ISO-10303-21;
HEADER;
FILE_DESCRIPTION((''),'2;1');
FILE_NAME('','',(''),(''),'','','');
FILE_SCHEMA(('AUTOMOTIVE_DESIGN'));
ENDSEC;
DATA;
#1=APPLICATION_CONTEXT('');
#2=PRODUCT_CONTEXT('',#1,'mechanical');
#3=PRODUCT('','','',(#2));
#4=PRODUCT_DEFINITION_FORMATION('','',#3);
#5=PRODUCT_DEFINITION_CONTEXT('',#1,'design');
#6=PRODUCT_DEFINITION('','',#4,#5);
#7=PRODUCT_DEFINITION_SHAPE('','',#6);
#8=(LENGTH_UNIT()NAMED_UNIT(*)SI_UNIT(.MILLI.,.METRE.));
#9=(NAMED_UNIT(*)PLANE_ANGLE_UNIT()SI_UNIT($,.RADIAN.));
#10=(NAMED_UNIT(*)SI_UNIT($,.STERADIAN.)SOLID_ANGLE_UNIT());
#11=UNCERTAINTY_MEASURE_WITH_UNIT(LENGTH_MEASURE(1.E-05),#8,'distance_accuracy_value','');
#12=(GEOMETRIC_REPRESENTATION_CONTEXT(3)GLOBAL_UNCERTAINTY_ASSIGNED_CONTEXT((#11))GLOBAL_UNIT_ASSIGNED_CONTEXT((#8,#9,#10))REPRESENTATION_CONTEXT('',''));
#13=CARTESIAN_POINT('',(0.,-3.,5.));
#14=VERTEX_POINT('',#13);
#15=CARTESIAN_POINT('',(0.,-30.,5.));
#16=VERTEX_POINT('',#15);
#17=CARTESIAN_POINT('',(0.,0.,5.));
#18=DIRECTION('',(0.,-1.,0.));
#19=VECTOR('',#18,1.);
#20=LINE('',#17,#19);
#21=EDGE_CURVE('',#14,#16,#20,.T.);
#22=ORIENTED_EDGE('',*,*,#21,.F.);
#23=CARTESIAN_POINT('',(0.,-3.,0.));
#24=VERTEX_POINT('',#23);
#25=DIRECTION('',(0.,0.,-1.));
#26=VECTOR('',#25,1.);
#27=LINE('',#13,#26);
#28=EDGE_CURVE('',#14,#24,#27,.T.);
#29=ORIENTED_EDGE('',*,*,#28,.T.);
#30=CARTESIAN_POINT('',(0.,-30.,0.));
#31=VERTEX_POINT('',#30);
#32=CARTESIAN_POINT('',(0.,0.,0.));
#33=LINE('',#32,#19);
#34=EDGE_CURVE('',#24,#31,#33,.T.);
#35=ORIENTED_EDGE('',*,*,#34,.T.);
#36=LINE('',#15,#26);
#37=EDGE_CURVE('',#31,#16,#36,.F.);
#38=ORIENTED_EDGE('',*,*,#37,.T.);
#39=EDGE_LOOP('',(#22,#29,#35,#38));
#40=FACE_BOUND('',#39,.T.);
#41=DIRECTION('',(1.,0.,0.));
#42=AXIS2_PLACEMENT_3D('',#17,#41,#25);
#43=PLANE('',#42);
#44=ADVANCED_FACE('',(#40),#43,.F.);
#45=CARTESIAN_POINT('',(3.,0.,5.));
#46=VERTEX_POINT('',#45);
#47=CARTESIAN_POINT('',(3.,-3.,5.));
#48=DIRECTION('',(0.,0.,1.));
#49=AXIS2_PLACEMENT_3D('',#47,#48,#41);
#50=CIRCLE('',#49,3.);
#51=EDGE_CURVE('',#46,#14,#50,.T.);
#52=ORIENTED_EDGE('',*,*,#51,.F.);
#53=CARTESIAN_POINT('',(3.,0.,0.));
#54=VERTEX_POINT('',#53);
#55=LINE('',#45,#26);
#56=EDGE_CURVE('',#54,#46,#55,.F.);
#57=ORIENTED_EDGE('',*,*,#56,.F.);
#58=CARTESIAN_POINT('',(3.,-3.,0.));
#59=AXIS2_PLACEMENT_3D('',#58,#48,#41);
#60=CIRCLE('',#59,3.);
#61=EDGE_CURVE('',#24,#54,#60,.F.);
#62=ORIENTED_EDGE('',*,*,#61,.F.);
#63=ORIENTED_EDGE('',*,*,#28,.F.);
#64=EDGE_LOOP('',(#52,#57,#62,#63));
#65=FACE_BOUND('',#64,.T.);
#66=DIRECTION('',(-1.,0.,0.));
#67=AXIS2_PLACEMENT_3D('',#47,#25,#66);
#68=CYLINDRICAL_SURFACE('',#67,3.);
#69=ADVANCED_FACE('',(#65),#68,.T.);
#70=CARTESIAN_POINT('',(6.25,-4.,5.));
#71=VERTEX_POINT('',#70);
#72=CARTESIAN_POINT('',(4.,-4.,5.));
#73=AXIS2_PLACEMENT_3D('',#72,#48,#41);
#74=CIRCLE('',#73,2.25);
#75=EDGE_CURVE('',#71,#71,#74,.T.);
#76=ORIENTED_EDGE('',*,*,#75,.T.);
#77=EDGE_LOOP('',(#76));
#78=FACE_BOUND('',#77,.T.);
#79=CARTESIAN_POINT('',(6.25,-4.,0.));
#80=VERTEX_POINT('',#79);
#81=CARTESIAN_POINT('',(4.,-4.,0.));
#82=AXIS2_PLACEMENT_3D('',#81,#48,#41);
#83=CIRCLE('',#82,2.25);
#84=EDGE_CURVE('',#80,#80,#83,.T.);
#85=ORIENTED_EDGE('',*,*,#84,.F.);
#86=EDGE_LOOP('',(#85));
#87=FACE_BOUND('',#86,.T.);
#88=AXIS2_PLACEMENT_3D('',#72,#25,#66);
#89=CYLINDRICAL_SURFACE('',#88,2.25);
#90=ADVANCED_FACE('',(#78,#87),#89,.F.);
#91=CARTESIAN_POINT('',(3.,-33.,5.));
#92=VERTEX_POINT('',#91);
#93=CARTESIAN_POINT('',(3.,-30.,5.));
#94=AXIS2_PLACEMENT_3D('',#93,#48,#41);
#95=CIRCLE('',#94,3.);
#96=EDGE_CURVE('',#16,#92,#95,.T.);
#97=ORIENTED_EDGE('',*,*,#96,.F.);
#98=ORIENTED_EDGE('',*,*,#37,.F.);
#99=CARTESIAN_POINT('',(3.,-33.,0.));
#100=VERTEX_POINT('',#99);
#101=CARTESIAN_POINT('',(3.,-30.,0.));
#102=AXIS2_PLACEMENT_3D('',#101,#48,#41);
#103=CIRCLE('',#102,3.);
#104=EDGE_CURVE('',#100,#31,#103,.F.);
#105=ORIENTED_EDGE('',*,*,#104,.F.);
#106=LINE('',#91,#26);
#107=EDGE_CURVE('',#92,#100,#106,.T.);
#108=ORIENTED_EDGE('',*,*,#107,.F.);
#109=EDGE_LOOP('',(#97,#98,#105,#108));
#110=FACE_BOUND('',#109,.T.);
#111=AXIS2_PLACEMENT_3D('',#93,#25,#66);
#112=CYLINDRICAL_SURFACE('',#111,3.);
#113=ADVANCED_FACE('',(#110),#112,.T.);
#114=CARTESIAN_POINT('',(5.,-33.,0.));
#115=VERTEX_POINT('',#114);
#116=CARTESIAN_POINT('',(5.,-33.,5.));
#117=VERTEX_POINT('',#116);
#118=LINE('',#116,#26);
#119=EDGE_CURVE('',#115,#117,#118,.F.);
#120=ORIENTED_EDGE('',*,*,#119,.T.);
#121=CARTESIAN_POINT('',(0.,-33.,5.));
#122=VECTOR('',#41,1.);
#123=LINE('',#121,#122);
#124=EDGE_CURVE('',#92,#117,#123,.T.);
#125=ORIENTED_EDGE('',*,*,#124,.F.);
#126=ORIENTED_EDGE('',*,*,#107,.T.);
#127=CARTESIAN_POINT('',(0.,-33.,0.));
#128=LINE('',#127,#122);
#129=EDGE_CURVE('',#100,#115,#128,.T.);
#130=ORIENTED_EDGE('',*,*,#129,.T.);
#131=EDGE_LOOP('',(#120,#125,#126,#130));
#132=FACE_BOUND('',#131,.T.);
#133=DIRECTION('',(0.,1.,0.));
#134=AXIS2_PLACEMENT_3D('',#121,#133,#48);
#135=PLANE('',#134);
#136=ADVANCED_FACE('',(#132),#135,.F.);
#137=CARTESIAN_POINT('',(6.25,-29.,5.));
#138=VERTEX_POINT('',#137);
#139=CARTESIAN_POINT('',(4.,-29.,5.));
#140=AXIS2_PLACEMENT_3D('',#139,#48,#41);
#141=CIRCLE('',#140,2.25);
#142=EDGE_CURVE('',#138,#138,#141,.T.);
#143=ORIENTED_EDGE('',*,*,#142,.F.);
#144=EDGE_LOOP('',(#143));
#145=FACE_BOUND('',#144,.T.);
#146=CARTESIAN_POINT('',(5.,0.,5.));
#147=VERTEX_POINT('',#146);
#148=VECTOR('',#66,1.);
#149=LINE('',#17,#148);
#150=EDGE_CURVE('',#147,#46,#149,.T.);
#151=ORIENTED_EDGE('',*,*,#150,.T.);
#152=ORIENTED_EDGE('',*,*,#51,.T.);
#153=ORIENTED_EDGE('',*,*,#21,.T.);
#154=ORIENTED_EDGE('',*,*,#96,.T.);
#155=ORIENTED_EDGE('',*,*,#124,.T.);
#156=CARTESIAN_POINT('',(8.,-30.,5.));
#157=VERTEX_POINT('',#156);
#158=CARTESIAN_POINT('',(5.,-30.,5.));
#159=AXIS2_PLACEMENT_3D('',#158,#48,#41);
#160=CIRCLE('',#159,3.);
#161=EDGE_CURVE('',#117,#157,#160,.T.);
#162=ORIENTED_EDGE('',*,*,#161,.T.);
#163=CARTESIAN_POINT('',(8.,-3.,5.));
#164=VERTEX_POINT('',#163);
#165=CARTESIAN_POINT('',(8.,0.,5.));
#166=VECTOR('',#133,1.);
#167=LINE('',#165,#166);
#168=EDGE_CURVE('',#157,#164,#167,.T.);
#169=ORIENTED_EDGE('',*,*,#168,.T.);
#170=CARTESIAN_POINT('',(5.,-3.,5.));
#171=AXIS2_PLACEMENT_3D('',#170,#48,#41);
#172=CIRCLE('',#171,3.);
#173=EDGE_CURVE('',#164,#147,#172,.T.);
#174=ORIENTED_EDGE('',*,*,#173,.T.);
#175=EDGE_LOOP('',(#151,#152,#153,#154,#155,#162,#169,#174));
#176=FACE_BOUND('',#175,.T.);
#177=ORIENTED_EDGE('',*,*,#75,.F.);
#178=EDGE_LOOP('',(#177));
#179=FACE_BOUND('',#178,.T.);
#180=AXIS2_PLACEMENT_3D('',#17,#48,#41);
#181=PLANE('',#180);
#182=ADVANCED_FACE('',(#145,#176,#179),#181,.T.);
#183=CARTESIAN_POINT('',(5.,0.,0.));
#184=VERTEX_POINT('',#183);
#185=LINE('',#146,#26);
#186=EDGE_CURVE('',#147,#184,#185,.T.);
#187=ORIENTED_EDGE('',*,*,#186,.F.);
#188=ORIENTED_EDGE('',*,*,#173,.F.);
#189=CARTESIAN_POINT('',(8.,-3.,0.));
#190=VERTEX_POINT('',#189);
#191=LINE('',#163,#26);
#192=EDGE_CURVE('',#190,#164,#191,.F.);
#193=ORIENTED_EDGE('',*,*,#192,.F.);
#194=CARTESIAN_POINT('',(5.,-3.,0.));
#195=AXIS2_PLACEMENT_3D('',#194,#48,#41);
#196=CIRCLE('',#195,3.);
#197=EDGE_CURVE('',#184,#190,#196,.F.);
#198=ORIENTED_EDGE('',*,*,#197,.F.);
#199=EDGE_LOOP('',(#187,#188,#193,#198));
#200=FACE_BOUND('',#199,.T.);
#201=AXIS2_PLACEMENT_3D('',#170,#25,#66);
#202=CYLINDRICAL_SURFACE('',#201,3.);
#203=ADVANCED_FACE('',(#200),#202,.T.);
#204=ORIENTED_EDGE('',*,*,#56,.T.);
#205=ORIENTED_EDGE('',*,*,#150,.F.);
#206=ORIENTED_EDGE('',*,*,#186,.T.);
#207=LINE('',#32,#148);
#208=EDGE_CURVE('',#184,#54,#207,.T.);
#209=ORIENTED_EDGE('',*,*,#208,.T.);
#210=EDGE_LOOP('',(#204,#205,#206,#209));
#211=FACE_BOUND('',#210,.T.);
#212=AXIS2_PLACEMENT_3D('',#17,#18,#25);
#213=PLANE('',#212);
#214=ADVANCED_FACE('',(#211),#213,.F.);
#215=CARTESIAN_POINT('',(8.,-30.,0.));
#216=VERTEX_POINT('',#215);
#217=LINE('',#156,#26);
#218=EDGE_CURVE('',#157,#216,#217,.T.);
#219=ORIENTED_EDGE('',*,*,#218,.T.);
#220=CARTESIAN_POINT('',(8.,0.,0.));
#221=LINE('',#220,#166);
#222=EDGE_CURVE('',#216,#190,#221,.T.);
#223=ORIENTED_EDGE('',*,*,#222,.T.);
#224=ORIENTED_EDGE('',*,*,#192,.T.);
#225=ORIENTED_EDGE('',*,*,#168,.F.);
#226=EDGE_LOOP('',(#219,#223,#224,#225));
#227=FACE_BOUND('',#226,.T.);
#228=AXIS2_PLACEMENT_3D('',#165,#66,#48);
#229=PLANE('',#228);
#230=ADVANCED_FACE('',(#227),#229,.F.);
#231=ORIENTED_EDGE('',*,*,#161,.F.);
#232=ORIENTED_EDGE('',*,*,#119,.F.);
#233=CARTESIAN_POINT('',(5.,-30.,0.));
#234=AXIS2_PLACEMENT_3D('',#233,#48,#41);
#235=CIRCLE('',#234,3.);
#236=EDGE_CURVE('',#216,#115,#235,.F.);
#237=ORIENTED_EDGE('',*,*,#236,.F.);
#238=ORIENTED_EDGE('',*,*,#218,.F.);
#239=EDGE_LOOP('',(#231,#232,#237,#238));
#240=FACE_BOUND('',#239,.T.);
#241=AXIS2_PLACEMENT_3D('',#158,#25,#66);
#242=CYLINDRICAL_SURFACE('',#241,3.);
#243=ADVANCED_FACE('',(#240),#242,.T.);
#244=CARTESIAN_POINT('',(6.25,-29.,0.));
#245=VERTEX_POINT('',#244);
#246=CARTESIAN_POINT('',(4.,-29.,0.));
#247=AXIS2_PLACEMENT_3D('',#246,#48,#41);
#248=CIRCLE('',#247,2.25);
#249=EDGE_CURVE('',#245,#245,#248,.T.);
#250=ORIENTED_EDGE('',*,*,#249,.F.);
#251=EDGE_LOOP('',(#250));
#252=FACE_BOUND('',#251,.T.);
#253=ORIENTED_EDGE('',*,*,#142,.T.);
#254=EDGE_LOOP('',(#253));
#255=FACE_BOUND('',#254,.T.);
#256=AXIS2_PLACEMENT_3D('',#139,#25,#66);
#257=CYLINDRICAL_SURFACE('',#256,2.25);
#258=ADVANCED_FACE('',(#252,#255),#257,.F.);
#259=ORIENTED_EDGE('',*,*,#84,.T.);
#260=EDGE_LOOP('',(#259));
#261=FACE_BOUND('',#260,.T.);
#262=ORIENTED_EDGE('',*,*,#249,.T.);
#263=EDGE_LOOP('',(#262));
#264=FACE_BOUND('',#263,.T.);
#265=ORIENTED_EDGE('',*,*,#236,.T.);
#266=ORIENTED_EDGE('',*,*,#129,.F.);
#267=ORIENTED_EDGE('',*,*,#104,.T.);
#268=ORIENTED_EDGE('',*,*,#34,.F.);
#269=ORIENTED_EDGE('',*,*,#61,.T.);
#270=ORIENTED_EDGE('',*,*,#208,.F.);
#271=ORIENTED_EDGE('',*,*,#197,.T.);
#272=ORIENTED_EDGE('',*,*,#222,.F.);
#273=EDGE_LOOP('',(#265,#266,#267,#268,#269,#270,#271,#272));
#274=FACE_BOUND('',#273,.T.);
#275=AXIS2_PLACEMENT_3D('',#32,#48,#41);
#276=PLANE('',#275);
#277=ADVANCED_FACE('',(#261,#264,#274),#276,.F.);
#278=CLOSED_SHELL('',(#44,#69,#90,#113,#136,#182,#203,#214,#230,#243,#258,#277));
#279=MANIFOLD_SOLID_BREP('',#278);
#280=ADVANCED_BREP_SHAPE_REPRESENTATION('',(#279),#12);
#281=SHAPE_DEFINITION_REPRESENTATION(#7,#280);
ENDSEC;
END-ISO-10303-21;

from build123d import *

# Parameters (mm, degrees)
SKETCH1_W           = 8
SKETCH1_H           = 33
SKETCH1_R           = 2.25
BOSS_EXTRUDE1_DEPTH = 5
FILLET1_R           = 3


with BuildPart() as part:
    # Sketch1 → Boss-Extrude1 (new body)
    with BuildSketch(Plane.XY):
        with Locations((4, -16.5)):
            Rectangle(SKETCH1_W, SKETCH1_H)
        with Locations((4, -29)):
            Circle(SKETCH1_R, mode=Mode.SUBTRACT)
        with Locations((4, -4)):
            Circle(SKETCH1_R, mode=Mode.SUBTRACT)
    extrude(amount=BOSS_EXTRUDE1_DEPTH)

    # Fillet1
    fillet1_edges = [part.edges().sort_by_distance(p)[0] for p in [
        (0, 0, 2.5),
        (8, 0, 2.5),
        (8, -33, 2.5),
        (0, -33, 2.5),
    ]]
    fillet(fillet1_edges, radius=FILLET1_R)


solid = part.part
